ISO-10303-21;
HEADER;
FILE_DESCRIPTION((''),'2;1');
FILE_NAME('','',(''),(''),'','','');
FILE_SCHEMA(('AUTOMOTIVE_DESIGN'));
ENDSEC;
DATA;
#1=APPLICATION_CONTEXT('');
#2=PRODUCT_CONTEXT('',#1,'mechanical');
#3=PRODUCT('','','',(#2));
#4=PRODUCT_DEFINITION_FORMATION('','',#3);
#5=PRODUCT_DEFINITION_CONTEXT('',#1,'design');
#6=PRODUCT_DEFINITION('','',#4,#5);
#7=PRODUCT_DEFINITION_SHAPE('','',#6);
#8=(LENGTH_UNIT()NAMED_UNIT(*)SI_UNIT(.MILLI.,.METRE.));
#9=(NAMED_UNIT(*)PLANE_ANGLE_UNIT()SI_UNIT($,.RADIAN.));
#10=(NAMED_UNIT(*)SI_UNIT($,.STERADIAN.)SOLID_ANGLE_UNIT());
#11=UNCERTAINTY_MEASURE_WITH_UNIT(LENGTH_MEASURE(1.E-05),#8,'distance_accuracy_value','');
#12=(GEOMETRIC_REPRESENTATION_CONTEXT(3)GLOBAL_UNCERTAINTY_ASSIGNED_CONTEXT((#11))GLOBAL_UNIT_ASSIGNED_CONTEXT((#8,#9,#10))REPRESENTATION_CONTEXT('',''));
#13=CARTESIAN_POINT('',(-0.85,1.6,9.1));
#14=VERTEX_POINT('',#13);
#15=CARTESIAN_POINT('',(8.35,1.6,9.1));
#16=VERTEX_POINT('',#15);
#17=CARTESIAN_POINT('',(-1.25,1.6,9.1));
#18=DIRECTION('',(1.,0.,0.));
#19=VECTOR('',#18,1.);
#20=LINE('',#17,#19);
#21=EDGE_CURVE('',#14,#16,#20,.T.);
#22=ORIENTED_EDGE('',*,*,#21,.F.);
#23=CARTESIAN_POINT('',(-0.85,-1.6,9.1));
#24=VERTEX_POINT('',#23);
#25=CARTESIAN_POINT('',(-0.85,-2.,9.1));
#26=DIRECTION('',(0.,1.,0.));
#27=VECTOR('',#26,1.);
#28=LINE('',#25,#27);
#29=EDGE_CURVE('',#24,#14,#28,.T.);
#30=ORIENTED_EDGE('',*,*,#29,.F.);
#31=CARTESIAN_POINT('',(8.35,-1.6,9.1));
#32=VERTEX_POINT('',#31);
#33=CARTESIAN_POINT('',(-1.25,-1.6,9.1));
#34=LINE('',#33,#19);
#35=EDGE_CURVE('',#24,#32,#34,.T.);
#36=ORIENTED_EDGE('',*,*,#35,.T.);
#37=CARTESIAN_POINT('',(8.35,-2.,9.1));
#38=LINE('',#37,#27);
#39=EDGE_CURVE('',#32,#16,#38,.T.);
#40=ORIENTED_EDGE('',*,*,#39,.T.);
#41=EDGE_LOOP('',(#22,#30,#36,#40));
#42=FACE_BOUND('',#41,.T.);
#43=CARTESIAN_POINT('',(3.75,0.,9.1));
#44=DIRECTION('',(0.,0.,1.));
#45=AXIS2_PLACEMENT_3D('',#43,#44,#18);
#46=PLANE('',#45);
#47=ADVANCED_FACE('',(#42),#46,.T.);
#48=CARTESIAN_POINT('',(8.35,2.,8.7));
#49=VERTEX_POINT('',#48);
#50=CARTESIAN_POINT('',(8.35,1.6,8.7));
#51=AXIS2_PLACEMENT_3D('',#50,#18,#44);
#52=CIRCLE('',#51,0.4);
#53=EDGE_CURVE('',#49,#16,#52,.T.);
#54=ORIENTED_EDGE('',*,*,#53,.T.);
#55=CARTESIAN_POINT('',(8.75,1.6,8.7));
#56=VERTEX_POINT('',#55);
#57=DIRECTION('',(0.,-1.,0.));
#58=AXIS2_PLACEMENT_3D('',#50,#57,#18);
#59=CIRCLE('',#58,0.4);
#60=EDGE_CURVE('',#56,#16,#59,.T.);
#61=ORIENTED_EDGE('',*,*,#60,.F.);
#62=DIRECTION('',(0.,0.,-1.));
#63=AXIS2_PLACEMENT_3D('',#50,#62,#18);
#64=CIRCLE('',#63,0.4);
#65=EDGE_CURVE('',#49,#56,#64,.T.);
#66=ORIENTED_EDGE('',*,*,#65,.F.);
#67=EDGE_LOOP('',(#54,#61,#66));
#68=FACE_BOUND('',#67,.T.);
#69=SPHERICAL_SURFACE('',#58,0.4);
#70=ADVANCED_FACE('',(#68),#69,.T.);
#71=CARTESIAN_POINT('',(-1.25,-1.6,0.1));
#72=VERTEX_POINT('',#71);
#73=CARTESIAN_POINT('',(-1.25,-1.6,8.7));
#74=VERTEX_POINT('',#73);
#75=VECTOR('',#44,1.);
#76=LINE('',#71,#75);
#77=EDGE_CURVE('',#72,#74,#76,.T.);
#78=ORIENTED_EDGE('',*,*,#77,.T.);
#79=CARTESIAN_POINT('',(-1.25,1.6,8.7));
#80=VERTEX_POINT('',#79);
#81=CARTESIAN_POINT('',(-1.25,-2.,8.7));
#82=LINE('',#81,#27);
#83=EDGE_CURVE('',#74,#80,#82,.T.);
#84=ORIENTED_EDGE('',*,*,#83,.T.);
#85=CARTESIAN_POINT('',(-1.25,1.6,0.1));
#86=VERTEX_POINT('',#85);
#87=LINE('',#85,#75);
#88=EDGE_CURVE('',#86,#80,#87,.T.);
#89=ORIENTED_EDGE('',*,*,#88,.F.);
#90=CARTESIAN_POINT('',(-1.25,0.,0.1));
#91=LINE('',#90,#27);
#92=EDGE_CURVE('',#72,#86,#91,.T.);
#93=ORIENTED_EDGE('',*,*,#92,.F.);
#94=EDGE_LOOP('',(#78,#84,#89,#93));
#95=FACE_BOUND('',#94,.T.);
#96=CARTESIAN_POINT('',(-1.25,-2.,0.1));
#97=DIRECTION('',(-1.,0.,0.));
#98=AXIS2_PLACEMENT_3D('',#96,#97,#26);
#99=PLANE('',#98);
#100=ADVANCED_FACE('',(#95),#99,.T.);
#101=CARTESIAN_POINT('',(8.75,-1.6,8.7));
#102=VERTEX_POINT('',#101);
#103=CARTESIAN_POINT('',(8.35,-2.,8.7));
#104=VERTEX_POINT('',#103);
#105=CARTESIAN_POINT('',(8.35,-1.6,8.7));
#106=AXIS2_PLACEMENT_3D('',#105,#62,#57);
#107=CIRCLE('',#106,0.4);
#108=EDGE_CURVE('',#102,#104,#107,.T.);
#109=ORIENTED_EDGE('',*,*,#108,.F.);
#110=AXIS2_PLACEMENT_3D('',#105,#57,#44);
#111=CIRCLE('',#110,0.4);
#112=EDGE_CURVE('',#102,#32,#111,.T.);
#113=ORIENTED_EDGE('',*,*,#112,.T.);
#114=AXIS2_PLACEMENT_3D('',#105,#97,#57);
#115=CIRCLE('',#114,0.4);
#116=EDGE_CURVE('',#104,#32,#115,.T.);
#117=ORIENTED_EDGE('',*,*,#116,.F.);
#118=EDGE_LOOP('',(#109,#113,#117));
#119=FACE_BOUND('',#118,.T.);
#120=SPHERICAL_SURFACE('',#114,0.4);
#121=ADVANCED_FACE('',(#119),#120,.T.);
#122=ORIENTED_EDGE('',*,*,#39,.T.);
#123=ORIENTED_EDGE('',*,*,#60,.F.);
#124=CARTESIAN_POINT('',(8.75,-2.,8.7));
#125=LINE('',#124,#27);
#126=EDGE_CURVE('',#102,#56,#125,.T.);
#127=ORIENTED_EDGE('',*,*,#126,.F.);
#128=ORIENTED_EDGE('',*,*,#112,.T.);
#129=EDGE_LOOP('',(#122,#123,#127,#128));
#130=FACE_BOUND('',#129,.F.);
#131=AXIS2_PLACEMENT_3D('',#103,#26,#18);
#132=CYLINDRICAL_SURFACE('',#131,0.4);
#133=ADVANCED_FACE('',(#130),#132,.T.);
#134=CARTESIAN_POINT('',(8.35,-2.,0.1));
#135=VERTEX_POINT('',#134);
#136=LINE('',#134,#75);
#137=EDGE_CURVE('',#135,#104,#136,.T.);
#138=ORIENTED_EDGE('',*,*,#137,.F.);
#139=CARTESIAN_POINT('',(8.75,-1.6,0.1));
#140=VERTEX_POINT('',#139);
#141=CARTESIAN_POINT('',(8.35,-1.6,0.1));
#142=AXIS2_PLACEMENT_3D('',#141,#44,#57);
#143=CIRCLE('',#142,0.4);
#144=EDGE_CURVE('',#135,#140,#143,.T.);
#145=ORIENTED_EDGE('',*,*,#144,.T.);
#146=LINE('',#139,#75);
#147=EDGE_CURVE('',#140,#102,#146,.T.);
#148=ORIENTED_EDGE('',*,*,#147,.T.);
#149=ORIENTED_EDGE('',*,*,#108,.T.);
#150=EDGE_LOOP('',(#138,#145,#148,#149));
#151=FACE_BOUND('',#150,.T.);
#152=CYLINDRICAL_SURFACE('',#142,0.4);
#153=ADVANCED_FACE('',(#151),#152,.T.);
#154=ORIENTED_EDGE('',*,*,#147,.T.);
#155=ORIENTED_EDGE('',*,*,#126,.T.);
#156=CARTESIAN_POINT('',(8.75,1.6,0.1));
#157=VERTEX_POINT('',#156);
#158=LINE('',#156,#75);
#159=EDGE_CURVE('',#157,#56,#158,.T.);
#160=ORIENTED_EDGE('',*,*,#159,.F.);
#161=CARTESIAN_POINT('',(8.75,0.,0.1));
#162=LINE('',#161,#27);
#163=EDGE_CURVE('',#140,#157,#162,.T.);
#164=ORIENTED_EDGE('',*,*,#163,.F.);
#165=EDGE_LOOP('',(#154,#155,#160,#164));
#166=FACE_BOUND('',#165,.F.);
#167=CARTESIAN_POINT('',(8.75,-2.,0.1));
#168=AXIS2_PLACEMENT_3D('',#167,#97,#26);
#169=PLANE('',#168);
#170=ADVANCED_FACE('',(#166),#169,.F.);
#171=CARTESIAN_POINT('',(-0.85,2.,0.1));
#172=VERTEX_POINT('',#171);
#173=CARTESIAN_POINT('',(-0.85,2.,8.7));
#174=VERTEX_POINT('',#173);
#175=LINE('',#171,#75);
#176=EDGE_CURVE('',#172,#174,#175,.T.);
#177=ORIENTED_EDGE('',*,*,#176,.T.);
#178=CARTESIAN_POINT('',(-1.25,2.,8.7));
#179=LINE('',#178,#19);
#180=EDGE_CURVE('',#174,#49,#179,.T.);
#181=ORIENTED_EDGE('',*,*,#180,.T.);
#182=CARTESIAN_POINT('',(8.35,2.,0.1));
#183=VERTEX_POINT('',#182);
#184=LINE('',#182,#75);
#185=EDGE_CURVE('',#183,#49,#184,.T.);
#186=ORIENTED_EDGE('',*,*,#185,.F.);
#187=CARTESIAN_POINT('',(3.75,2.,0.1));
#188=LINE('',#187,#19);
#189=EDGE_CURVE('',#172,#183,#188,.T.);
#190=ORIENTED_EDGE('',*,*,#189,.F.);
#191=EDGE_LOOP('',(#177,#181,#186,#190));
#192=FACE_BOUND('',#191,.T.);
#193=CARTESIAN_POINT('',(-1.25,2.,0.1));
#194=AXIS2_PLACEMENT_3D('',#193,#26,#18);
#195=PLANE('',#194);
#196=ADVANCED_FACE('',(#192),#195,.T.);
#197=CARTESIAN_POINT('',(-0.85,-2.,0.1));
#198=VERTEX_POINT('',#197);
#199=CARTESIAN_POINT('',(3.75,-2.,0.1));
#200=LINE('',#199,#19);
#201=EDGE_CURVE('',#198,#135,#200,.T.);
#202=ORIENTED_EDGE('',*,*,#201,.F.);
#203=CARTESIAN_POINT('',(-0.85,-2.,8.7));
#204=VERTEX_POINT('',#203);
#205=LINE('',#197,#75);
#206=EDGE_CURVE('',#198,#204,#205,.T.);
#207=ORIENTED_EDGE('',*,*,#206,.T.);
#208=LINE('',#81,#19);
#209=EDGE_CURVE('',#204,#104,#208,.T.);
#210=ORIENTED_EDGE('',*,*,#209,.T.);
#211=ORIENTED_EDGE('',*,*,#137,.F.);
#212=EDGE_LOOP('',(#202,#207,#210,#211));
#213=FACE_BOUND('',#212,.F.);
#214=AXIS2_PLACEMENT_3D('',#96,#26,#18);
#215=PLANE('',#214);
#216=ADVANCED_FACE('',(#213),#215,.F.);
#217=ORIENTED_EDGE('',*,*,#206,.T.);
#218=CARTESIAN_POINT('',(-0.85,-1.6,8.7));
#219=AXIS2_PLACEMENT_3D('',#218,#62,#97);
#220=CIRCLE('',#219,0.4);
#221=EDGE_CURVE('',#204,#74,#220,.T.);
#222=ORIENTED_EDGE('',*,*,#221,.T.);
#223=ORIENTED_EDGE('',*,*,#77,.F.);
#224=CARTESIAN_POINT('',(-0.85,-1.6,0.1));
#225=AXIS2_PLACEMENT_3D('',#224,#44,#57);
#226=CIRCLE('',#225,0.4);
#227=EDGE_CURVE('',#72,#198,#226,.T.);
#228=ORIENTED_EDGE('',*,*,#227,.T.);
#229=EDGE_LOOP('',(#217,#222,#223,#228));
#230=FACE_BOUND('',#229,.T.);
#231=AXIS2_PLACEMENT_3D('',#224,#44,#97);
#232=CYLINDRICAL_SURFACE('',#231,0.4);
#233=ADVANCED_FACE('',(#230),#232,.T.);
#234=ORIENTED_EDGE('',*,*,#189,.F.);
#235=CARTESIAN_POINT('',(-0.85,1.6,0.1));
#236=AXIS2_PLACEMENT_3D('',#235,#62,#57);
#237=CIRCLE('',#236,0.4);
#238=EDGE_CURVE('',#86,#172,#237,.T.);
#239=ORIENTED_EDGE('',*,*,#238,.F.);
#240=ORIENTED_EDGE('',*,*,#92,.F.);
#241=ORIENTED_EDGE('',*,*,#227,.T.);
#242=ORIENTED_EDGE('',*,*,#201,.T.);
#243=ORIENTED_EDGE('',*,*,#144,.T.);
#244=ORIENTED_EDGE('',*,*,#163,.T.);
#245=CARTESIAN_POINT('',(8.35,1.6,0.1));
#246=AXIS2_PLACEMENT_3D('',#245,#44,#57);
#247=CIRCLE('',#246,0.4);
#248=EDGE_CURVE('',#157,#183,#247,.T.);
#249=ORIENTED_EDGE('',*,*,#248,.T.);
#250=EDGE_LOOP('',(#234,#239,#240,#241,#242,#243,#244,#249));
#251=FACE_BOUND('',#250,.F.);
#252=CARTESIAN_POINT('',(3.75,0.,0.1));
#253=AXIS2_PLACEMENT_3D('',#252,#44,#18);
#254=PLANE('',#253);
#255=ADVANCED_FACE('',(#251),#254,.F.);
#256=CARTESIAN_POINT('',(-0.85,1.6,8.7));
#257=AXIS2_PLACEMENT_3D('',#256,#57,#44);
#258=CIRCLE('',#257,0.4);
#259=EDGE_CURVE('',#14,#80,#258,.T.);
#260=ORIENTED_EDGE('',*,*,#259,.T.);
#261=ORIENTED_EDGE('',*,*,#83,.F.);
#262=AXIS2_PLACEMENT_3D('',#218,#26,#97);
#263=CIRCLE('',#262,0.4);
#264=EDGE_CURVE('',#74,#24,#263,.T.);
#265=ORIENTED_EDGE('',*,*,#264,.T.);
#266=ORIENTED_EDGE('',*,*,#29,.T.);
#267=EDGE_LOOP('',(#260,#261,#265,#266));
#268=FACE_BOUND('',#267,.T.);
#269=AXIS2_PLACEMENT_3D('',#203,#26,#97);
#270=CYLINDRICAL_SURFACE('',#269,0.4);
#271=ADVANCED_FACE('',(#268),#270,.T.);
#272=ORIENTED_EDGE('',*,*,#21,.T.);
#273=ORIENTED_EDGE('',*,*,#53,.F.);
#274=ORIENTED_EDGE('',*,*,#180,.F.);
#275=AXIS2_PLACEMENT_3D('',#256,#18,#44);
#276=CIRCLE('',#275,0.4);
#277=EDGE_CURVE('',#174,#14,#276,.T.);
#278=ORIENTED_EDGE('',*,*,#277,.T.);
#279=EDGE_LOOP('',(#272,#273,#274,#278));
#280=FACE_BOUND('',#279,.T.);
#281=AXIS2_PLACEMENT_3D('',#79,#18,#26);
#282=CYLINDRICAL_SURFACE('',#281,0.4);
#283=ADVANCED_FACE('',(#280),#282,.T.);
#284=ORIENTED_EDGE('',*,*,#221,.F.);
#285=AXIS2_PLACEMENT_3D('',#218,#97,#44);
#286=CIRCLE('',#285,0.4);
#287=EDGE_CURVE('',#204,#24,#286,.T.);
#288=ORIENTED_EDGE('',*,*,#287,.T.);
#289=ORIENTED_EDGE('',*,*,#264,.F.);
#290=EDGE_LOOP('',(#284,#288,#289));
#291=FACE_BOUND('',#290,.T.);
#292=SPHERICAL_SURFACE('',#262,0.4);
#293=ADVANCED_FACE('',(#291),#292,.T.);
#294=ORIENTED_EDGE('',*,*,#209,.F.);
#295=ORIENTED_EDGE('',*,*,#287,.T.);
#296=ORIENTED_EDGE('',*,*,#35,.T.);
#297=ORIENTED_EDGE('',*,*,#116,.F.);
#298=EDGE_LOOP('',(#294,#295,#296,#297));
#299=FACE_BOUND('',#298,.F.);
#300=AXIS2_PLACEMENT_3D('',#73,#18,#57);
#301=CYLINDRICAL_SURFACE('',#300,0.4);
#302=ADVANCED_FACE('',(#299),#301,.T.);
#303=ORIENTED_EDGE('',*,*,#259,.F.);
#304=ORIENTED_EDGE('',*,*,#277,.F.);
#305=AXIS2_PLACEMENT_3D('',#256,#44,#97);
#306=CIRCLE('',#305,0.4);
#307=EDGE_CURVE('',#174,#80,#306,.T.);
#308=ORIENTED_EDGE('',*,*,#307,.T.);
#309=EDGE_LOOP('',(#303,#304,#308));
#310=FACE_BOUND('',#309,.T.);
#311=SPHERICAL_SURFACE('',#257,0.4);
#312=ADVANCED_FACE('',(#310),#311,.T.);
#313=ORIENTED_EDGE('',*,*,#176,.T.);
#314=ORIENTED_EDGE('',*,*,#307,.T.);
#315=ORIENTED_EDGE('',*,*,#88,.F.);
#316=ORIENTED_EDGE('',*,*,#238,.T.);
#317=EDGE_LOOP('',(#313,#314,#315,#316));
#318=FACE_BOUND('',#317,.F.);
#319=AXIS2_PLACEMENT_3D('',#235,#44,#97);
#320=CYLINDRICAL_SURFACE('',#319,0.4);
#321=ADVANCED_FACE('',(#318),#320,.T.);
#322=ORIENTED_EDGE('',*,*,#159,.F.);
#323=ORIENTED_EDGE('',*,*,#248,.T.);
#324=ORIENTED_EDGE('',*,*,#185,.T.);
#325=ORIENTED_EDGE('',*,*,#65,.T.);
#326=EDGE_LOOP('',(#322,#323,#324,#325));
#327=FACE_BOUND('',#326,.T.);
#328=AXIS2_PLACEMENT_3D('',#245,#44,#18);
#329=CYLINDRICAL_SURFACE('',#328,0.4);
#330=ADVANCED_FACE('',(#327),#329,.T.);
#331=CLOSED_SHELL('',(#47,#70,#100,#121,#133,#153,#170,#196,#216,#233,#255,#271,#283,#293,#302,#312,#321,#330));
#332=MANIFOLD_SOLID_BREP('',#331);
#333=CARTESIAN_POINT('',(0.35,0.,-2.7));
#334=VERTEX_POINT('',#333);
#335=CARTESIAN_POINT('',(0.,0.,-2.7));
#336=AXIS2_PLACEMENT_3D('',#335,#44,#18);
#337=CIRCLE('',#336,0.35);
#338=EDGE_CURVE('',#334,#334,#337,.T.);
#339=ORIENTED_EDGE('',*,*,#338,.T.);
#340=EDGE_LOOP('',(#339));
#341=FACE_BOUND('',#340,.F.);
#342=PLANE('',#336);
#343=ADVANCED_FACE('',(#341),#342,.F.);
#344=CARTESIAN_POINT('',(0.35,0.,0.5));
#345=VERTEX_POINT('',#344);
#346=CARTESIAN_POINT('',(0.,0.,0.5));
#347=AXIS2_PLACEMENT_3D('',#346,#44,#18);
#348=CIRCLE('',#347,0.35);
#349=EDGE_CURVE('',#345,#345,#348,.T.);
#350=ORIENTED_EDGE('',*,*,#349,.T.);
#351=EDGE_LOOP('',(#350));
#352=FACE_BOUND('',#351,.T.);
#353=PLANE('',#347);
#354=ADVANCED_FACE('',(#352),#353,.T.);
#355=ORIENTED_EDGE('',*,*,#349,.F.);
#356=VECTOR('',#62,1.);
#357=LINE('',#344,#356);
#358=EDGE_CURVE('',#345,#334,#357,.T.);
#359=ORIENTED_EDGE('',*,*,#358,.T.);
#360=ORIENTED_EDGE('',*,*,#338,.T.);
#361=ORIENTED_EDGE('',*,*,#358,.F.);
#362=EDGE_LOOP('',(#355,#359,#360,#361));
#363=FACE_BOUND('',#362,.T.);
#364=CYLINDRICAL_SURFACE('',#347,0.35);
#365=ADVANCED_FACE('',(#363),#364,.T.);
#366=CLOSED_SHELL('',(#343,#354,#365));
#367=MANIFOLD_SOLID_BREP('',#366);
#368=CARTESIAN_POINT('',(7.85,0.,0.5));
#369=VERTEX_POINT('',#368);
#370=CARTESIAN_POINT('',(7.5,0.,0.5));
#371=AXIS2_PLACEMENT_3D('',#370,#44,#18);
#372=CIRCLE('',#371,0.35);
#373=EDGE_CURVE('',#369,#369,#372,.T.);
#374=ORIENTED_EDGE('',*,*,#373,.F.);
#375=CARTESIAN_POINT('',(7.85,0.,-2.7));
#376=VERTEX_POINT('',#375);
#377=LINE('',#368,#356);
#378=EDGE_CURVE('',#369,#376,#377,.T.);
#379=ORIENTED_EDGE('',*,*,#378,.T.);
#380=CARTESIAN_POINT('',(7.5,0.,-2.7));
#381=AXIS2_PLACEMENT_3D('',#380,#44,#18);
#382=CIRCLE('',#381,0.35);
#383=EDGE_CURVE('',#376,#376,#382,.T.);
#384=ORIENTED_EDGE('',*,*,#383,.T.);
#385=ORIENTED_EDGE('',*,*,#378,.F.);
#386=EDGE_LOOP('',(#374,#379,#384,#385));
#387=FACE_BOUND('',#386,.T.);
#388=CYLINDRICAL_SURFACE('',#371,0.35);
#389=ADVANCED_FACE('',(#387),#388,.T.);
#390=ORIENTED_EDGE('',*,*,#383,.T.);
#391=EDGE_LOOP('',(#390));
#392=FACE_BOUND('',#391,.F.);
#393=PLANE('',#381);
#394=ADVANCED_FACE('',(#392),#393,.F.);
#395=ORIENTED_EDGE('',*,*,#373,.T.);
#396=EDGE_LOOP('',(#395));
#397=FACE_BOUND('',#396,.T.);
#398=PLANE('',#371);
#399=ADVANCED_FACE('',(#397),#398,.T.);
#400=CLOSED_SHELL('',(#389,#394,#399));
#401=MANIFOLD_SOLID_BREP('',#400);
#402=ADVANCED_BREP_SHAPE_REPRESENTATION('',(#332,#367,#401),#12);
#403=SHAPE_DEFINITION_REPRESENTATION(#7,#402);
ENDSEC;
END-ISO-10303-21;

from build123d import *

# Parameters (mm, degrees)
SKETCH_W     = 10
SKETCH_H     = 4
PAD_DEPTH    = 9
FILLET_R     = 0.4
SKETCH001_R  = 0.35
PAD001_DEPTH = 3.2


with BuildPart() as fillet_body:
    # Sketch → Pad (new body)
    with BuildSketch(Plane.XY.offset(0.1)):
        with Locations((3.75, 0)):
            Rectangle(SKETCH_W, SKETCH_H)
    extrude(amount=PAD_DEPTH)

    # Fillet
    fillet_edges = [fillet_body.edges().sort_by_distance(p)[0] for p in [
        (-1.25, 0, 9.1),
        (-1.25, -2, 4.6),
        (3.75, -2, 9.1),
        (8.75, -2, 4.6),
        (8.75, 0, 9.1),
        (8.75, 2, 4.6),
        (3.75, 2, 9.1),
        (-1.25, 2, 4.6),
    ]]
    fillet(fillet_edges, radius=FILLET_R)


with BuildPart() as pad001:
    # Sketch001 → Pad001 (new body)
    with BuildSketch(Plane.XY.offset(0.5)):
        Circle(SKETCH001_R)
        with Locations((7.5, 0)):
            Circle(SKETCH001_R)
    extrude(amount=-PAD001_DEPTH)


solid = Compound([fillet_body.part, pad001.part])
